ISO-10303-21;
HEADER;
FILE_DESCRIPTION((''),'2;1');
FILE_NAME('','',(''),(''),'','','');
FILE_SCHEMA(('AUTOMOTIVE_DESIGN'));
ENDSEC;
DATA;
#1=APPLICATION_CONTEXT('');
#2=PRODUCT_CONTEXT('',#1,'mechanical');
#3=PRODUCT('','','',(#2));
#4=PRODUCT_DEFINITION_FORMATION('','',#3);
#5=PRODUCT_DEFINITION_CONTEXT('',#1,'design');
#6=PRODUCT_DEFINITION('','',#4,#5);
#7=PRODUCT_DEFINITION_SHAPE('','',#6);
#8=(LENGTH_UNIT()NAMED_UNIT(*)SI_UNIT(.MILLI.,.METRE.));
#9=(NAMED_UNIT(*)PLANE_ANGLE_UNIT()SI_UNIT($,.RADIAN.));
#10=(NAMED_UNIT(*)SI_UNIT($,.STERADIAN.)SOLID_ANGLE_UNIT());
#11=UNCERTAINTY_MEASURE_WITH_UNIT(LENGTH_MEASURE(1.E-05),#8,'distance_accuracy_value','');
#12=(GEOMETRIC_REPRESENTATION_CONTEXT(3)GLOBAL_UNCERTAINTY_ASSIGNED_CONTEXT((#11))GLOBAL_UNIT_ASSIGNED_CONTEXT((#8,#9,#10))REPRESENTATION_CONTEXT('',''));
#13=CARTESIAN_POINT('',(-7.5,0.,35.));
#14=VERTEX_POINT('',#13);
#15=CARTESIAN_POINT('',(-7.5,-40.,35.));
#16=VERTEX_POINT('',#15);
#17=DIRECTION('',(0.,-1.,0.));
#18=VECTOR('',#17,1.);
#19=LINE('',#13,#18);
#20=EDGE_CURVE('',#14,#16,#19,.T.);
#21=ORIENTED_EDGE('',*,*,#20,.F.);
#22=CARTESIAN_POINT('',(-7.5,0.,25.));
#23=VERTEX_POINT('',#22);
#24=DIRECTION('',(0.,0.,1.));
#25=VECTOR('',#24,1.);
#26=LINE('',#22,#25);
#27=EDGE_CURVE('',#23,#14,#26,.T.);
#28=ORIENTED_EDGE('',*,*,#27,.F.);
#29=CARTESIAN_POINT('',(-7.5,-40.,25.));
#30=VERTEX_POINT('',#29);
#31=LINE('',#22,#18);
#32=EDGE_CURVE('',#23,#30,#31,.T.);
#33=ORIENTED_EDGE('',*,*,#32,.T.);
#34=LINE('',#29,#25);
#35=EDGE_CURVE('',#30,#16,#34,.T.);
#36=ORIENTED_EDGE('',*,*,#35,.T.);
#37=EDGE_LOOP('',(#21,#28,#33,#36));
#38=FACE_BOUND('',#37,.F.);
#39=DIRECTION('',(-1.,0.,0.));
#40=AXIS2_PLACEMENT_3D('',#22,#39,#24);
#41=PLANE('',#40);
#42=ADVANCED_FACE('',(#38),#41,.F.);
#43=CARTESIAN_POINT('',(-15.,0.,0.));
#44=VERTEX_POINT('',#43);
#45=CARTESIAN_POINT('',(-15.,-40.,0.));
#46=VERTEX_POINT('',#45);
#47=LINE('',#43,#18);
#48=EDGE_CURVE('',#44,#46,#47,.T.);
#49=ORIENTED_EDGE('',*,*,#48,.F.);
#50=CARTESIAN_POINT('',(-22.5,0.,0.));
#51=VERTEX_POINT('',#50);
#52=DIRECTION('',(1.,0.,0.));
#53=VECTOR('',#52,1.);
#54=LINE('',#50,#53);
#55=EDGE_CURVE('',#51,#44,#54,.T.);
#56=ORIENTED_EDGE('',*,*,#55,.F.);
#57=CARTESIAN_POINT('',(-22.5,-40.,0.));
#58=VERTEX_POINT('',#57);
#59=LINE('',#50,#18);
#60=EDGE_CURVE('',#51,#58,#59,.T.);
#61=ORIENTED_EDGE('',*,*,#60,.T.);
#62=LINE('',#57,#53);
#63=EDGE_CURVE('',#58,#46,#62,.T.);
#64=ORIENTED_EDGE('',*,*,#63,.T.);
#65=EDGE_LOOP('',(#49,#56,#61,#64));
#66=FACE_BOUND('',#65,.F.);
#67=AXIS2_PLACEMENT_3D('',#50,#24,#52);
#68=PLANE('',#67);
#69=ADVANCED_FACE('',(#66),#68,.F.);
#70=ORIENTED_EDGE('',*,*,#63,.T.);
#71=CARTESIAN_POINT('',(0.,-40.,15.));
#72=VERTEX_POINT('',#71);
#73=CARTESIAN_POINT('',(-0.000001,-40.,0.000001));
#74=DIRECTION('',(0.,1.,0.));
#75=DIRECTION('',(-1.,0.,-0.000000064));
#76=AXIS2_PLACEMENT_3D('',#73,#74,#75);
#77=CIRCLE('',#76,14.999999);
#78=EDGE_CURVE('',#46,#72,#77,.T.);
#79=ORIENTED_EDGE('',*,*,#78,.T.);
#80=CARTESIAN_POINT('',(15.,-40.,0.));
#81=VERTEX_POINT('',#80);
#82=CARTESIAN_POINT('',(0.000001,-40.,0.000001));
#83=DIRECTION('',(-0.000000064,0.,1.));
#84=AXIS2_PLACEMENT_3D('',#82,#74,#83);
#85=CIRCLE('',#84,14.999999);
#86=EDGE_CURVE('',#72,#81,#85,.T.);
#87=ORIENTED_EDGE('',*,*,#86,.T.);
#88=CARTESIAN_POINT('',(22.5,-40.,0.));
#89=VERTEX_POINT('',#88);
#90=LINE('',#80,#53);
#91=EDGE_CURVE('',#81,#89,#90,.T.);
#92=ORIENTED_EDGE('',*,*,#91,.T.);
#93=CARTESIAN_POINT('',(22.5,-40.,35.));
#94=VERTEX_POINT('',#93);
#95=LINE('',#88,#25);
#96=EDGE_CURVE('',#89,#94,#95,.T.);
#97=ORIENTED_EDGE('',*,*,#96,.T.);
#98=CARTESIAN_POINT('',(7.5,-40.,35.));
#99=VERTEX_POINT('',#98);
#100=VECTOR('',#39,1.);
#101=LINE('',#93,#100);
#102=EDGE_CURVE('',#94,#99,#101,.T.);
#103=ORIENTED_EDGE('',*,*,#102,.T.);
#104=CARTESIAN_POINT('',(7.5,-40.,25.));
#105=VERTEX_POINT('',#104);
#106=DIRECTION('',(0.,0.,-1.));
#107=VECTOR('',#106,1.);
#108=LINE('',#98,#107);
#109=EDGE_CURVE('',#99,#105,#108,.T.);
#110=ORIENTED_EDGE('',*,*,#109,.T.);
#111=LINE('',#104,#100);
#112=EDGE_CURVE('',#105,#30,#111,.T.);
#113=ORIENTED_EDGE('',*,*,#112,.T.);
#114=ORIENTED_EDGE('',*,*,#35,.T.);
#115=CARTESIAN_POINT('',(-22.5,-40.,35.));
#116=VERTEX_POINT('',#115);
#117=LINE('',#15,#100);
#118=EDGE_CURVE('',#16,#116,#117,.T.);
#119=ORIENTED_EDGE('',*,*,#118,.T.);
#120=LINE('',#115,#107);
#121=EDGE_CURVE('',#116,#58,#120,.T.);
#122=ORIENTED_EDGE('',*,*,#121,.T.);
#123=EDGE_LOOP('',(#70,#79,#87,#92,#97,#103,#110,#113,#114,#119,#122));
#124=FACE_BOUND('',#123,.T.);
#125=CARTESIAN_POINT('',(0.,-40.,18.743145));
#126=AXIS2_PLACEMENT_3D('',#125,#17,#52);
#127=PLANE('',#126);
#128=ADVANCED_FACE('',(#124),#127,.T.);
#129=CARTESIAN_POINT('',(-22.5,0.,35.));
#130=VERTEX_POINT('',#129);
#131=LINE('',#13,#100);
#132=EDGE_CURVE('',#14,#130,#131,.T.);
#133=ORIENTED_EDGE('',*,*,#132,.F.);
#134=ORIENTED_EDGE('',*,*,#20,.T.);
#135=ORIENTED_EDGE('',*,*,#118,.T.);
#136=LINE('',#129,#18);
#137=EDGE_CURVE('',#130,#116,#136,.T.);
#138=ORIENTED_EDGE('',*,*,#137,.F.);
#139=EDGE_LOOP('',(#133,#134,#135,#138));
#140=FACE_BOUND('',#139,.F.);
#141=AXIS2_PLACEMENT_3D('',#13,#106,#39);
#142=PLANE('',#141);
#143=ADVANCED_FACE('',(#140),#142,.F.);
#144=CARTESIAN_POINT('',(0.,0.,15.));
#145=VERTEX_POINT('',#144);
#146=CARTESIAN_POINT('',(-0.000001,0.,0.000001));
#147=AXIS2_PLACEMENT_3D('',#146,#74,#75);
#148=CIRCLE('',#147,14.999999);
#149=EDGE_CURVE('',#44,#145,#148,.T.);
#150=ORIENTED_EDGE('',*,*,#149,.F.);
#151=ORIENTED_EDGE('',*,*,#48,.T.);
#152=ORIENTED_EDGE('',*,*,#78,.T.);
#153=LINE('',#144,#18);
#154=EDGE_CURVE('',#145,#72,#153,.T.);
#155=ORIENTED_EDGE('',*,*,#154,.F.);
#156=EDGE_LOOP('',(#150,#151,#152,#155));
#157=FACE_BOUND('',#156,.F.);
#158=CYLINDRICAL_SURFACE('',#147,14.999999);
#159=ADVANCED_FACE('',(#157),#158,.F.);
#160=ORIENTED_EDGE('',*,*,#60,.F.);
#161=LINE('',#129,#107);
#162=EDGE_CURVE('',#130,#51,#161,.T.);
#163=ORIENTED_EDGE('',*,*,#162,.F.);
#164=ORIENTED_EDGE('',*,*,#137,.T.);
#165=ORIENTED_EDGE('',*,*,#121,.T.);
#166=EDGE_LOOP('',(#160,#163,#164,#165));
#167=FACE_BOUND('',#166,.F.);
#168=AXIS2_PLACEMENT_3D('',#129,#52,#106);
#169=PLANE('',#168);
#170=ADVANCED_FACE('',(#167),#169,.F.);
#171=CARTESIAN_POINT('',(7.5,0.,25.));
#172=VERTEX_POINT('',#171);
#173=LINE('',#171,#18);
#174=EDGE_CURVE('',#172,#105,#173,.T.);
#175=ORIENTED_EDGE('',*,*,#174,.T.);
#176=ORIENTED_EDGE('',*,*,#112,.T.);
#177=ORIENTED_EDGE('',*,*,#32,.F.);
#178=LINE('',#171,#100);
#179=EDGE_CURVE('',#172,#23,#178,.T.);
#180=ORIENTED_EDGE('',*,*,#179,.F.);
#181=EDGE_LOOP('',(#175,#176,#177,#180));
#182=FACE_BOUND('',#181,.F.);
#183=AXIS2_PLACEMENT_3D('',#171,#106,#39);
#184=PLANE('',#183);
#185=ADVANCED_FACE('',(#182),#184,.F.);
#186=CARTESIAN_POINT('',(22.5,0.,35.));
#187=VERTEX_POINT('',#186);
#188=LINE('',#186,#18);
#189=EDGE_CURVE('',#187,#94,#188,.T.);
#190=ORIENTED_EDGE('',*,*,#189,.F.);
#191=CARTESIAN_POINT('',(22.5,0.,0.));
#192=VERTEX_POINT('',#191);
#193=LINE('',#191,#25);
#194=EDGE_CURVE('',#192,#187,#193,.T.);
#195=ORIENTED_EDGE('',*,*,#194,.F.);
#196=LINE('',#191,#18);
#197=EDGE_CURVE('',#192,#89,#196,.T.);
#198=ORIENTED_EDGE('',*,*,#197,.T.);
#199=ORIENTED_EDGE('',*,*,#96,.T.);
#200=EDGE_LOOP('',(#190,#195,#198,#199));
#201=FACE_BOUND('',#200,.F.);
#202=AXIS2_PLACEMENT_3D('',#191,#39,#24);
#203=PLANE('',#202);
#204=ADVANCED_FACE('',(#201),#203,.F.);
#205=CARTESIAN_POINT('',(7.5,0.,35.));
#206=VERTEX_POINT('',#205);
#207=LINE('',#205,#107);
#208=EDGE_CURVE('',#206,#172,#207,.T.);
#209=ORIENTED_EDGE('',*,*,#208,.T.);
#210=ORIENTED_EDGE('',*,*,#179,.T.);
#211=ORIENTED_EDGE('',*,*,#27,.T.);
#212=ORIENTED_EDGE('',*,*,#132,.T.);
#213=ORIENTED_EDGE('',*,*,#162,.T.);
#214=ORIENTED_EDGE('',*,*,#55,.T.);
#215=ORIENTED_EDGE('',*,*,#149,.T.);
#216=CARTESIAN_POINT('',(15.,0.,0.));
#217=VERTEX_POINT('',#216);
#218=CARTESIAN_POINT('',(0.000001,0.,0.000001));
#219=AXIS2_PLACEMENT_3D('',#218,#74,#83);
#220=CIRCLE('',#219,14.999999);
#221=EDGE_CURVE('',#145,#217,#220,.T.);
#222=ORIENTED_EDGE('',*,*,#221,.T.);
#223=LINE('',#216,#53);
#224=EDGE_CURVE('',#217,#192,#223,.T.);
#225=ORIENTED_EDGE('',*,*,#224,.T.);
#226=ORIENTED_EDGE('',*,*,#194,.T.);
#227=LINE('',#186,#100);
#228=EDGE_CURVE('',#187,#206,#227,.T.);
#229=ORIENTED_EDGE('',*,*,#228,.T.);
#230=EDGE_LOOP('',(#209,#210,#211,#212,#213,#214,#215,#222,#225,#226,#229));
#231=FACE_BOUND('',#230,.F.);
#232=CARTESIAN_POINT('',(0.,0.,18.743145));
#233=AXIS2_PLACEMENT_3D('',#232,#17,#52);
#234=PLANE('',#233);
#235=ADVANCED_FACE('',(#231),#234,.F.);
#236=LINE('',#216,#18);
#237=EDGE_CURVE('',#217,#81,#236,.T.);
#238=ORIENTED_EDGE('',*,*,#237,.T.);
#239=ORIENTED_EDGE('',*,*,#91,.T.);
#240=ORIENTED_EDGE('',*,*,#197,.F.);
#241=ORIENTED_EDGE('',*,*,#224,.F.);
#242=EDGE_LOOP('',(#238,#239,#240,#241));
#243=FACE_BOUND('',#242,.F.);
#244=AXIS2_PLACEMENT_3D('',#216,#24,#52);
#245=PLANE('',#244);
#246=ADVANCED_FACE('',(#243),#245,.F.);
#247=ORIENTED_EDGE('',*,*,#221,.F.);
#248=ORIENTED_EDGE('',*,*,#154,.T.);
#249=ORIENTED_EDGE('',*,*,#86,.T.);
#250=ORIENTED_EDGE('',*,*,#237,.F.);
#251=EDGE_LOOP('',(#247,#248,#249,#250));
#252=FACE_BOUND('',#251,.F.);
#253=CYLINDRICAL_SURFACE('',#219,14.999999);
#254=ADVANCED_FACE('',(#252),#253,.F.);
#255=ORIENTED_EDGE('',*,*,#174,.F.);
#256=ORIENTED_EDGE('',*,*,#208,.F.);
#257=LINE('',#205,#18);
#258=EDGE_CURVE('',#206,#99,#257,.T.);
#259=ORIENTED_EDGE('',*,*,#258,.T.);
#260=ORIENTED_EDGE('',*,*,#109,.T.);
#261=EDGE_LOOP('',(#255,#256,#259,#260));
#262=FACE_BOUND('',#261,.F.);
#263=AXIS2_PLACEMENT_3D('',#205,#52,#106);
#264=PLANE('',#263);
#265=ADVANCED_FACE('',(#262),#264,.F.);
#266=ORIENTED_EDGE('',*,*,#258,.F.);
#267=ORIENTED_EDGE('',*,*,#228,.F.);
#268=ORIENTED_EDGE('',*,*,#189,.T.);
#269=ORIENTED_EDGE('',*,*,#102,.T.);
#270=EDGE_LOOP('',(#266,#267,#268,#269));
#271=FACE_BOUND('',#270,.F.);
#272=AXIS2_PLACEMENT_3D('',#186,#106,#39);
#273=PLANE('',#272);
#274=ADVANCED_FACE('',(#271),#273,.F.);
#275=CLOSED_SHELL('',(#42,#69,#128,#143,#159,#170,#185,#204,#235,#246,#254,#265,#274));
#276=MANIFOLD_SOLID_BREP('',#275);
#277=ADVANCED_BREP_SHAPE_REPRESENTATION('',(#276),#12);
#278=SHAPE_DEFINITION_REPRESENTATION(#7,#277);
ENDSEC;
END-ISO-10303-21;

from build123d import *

# Parameters (mm, degrees)
F1_DEPTH = 40


with BuildPart() as f1:
    # F0 (on Front) → F1 (new body)
    with BuildSketch(Plane.XZ):
        with BuildLine():
            Line((-22.5, 0), (-15, 0))
            ThreePointArc((-15, 0), (-10.606602, 10.606602), (0, 15))
            ThreePointArc((0, 15), (10.606602, 10.606602), (15, 0))
            Line((15, 0), (22.5, 0))
            Line((22.5, 0), (22.5, 35))
            Line((22.5, 35), (7.5, 35))
            Line((7.5, 35), (7.5, 25))
            Line((7.5, 25), (-7.5, 25))
            Line((-7.5, 25), (-7.5, 35))
            Line((-7.5, 35), (-22.5, 35))
            Line((-22.5, 35), (-22.5, 0))
        make_face()
    extrude(amount=F1_DEPTH)


solid = f1.part
